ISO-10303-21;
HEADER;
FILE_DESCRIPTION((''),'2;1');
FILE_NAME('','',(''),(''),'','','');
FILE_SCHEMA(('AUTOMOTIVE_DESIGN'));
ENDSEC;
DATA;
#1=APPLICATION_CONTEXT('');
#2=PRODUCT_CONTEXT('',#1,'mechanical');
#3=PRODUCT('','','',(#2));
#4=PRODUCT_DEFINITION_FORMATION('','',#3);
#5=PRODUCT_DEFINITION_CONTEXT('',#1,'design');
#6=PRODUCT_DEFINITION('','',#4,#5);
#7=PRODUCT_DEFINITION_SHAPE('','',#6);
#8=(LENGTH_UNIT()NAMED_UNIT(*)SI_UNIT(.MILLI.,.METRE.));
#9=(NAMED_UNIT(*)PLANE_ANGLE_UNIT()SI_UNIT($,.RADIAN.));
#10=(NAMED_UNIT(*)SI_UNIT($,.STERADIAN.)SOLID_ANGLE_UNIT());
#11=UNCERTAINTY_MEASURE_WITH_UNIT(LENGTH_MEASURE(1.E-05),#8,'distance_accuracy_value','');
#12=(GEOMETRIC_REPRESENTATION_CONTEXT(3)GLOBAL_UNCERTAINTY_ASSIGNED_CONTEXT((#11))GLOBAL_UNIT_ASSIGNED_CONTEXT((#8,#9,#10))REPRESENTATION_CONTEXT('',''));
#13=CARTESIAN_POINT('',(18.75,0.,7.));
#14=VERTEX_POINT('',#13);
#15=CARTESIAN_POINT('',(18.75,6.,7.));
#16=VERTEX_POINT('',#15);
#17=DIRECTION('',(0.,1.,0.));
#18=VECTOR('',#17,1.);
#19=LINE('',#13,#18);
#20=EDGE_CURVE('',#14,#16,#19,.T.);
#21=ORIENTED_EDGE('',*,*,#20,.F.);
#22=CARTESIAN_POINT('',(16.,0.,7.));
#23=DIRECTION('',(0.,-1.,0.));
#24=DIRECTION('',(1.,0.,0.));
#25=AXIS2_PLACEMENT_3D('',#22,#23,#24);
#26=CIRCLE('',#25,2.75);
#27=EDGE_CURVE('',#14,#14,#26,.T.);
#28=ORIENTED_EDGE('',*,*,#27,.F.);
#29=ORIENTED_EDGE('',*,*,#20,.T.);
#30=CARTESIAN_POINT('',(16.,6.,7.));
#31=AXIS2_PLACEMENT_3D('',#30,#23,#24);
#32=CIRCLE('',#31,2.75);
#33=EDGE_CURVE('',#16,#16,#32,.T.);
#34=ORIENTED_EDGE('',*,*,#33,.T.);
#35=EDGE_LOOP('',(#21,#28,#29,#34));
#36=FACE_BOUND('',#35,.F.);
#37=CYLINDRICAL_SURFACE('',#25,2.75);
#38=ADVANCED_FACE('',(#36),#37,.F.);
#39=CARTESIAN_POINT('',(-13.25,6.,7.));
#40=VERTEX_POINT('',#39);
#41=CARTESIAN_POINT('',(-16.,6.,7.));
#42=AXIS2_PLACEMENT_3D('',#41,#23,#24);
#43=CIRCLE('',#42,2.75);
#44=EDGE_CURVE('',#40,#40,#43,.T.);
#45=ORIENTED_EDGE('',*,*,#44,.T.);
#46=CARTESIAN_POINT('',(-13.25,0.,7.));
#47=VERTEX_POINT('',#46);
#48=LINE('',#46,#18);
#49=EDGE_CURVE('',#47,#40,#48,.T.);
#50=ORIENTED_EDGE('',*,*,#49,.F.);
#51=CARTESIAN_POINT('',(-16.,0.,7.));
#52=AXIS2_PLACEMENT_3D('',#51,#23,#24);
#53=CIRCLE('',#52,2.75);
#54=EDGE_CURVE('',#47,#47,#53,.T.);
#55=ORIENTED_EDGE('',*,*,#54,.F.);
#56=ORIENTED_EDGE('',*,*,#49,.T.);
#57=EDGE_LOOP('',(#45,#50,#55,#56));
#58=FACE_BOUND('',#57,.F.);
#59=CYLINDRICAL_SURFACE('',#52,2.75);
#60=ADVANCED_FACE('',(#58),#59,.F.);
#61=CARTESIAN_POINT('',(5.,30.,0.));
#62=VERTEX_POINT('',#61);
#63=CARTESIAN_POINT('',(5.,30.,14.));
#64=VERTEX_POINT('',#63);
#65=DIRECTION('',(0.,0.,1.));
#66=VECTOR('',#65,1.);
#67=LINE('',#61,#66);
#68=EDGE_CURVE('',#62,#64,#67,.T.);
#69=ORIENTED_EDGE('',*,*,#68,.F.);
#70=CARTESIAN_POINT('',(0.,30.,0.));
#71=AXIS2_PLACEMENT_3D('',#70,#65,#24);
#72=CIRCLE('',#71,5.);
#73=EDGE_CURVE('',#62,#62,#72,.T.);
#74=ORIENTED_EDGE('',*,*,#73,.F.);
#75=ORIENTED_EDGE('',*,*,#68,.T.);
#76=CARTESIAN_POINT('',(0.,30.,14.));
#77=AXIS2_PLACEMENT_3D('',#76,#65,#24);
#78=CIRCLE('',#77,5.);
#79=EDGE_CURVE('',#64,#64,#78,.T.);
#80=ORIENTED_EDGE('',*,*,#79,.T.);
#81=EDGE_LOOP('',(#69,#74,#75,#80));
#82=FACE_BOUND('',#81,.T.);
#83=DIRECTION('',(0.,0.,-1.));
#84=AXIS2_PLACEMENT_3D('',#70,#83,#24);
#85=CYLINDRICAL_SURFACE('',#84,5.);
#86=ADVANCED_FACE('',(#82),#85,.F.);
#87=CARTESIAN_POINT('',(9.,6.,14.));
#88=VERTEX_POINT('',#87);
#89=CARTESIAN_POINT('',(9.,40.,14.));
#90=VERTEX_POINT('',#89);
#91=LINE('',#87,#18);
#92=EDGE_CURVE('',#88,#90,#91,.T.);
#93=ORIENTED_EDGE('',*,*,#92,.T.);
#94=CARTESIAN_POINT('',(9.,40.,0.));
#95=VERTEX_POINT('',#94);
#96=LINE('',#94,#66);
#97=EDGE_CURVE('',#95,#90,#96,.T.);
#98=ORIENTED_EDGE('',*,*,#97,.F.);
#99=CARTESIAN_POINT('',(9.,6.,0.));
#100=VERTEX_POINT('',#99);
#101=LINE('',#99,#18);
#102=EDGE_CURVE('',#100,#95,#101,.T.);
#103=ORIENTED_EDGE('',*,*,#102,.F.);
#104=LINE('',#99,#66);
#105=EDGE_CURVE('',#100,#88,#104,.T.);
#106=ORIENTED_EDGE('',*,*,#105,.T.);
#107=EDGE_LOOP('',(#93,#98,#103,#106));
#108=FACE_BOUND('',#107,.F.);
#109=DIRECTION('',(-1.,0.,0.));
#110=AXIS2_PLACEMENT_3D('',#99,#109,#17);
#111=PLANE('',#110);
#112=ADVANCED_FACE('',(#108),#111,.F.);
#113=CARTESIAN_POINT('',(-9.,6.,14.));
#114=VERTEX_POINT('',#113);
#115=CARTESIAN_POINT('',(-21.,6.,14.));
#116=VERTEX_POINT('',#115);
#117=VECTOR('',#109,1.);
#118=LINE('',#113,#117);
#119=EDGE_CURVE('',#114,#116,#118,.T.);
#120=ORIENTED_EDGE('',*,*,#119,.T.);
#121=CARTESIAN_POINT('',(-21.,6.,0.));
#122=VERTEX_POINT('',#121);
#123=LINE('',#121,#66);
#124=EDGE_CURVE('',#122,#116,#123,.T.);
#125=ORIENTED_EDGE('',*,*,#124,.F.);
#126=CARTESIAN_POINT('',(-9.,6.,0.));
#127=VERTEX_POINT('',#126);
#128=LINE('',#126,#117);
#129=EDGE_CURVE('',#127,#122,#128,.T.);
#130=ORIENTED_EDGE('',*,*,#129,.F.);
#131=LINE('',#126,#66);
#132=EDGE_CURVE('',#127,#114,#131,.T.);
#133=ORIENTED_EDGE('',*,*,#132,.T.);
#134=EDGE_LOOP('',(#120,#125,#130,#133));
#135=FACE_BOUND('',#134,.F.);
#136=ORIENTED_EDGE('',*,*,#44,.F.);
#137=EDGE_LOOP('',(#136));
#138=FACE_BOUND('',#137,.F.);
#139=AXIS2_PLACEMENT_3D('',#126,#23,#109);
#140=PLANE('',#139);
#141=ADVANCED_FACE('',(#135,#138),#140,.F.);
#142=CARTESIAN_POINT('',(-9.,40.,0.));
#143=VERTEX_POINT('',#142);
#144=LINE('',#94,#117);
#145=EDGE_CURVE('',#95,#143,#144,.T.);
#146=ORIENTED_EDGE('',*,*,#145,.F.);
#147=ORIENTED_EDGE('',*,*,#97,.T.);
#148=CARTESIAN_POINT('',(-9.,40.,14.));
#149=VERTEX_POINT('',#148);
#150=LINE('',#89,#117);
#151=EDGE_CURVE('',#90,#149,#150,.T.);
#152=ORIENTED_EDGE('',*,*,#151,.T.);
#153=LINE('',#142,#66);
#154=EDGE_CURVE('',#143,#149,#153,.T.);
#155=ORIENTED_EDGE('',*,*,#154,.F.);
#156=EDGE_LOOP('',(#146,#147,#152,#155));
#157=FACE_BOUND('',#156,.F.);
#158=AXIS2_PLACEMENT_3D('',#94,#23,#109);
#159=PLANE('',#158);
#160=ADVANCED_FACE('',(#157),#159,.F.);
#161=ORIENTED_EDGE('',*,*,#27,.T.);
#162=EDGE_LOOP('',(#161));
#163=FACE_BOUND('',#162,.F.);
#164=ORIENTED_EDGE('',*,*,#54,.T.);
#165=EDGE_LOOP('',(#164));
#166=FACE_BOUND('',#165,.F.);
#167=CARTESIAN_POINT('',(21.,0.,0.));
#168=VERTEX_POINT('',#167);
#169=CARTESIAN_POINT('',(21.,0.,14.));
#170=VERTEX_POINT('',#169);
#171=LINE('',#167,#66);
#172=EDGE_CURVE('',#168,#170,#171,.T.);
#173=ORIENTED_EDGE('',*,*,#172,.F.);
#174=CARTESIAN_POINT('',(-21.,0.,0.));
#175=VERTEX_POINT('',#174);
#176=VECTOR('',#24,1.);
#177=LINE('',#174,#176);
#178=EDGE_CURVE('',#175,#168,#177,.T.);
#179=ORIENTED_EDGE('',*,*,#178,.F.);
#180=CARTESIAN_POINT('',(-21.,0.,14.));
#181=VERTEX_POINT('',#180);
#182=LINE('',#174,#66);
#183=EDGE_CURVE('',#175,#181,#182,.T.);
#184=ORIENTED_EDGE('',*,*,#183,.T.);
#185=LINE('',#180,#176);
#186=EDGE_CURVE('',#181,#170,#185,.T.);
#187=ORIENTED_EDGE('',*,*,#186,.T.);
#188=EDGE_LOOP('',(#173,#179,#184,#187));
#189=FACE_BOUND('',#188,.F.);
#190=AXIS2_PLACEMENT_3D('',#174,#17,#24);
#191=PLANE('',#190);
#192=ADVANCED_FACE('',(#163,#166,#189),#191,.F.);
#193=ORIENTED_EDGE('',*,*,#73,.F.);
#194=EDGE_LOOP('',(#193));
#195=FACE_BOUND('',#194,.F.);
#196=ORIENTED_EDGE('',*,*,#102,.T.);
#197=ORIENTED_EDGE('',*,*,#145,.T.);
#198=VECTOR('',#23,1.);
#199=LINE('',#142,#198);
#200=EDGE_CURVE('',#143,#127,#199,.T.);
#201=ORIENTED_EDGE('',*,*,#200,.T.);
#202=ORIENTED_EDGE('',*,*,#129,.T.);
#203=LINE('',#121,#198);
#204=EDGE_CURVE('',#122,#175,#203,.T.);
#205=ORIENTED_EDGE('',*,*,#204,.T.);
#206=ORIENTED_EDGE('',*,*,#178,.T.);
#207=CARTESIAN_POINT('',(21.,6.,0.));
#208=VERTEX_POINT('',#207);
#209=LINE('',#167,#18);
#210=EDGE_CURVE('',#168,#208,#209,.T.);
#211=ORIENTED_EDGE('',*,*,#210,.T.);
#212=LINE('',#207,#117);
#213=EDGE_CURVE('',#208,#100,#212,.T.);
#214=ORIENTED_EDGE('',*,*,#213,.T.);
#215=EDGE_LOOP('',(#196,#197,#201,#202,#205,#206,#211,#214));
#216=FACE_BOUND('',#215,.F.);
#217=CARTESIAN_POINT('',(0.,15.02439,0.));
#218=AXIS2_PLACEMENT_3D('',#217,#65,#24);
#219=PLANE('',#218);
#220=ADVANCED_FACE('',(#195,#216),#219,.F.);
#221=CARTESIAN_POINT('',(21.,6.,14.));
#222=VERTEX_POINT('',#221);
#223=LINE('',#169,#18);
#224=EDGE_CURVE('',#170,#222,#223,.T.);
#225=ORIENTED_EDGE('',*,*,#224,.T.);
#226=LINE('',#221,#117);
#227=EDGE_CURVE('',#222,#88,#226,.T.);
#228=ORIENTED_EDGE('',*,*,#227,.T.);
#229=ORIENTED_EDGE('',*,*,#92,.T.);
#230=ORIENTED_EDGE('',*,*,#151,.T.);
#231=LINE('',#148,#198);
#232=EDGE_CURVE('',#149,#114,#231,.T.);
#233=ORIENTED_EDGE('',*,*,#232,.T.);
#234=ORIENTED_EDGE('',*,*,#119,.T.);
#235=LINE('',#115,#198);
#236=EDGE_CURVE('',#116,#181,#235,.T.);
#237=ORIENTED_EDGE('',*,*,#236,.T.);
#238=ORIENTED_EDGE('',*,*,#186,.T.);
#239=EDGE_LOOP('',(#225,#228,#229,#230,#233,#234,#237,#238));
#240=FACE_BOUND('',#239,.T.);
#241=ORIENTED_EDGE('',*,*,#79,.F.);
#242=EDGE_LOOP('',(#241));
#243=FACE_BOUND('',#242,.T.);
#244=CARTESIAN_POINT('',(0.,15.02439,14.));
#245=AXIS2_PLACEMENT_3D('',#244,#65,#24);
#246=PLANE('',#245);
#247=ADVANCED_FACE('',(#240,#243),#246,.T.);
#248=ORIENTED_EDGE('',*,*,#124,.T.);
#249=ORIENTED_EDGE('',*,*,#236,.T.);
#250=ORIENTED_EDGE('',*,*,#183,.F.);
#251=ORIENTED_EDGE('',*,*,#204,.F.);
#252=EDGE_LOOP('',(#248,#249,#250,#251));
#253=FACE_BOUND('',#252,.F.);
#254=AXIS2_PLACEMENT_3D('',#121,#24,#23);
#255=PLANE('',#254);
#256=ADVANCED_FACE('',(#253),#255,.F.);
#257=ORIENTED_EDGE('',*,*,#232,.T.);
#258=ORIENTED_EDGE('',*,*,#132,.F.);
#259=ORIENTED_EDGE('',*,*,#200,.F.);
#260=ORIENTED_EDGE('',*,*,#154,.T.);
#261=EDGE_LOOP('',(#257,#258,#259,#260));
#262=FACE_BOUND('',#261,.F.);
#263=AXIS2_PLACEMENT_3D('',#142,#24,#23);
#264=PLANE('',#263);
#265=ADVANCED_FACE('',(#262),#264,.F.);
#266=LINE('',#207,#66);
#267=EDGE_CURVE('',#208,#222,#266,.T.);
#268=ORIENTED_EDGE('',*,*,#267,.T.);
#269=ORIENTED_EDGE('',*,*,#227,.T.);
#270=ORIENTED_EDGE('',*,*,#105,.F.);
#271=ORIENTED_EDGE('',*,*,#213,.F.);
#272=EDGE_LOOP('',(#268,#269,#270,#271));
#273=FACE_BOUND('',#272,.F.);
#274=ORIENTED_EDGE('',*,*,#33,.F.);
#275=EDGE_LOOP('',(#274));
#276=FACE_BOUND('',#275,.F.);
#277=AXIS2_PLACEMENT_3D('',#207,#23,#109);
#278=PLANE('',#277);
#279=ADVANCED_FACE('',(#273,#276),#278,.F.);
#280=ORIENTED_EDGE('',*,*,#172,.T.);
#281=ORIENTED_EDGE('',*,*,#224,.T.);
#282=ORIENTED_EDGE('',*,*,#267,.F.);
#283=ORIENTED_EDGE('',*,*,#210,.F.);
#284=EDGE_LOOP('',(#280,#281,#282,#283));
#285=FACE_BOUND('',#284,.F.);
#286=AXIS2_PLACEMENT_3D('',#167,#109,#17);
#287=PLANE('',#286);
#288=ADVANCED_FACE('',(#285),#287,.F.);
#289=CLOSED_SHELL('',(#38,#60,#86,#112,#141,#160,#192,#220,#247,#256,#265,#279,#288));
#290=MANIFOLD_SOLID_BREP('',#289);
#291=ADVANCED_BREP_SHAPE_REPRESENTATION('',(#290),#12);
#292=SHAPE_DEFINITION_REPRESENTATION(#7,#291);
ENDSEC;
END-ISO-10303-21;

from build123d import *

# Parameters (mm, degrees)
F0_R     = 5
F1_DEPTH = 14
F2_R     = 2.75
F3_DEPTH = 6


with BuildPart() as f1:
    # F0 (on Top) → F1 (new body)
    with BuildSketch(Plane.XY):
        Polygon((9, 40), (-9, 40), (-9, 6), (-21, 6), (-21, 0), (21, 0), (21, 6), (9, 6), align=None)
        with Locations((0, 30)):
            Circle(F0_R, mode=Mode.SUBTRACT)
    extrude(amount=F1_DEPTH)

    # F2 (on Front) → F3 (cut)
    with BuildSketch(Plane.XZ):
        with Locations((-16, 7)):
            Circle(F2_R)
        with Locations((16, 7)):
            Circle(F2_R)
    extrude(amount=-F3_DEPTH, mode=Mode.SUBTRACT)


solid = f1.part
